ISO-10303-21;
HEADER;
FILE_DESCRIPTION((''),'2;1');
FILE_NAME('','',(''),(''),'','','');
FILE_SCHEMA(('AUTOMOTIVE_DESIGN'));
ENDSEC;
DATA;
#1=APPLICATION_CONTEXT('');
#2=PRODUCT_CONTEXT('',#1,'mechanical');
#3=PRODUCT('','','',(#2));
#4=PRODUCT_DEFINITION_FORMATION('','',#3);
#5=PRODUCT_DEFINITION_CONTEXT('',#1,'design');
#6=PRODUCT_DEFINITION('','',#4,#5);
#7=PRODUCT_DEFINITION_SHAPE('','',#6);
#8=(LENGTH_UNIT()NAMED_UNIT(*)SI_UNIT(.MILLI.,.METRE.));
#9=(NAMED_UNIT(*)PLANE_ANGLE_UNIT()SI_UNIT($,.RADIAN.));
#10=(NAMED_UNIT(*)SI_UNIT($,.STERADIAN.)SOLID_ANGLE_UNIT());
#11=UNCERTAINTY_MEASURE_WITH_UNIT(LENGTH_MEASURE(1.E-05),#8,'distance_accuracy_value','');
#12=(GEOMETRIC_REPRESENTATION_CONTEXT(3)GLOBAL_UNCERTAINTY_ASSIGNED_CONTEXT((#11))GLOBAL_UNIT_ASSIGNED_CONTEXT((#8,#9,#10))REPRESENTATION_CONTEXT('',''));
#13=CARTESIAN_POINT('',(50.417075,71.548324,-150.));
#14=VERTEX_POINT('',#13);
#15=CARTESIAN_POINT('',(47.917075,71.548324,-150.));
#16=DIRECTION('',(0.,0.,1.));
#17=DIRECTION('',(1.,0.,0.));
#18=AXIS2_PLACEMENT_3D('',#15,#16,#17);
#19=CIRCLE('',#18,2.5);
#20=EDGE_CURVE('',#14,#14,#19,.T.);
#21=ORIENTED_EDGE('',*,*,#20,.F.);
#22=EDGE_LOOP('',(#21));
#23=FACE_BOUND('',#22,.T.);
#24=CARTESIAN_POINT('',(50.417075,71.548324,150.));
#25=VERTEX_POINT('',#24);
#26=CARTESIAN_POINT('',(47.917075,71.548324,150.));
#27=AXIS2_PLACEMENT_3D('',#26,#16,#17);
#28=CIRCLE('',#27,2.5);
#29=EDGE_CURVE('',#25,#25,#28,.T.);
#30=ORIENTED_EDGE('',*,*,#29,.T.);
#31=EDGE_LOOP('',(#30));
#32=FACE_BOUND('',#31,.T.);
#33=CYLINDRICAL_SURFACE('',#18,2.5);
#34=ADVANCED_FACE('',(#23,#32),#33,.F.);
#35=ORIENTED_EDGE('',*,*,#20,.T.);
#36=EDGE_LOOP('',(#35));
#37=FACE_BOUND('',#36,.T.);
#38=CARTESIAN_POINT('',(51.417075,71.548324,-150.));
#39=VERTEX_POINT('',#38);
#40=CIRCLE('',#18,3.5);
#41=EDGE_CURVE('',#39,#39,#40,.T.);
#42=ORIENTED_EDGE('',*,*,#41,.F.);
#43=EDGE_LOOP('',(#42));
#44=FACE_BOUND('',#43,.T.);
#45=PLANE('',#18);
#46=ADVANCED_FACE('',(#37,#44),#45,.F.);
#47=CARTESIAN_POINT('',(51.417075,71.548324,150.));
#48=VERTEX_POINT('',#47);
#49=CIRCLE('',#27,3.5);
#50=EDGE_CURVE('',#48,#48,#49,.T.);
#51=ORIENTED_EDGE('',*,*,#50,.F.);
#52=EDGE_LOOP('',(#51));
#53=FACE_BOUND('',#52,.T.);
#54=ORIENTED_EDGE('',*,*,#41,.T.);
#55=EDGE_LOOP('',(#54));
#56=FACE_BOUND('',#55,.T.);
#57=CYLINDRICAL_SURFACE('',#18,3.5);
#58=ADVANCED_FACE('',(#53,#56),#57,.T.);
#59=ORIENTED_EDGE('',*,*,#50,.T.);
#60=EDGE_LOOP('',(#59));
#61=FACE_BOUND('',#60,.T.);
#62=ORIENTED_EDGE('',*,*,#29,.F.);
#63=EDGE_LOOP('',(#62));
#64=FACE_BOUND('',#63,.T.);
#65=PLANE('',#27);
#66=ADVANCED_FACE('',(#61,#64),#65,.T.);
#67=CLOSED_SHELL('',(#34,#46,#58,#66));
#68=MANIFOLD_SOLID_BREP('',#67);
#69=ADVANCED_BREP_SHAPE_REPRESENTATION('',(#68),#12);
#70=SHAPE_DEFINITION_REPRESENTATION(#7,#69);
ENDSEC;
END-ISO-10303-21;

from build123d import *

# Parameters (mm, degrees)
SKETCH1_R           = 3.5
SKETCH1_R_2         = 2.5
BOSS_EXTRUDE1_DEPTH = 150


with BuildPart() as part:
    # Sketch1 → Boss-Extrude1 (new body, symmetric)
    with BuildSketch(Plane.XY):
        with Locations((47.917075251, 71.548323893)):
            Circle(SKETCH1_R)
        with Locations((47.917075251, 71.548323893)):
            Circle(SKETCH1_R_2, mode=Mode.SUBTRACT)
    extrude(amount=BOSS_EXTRUDE1_DEPTH, both=True)


solid = part.part
